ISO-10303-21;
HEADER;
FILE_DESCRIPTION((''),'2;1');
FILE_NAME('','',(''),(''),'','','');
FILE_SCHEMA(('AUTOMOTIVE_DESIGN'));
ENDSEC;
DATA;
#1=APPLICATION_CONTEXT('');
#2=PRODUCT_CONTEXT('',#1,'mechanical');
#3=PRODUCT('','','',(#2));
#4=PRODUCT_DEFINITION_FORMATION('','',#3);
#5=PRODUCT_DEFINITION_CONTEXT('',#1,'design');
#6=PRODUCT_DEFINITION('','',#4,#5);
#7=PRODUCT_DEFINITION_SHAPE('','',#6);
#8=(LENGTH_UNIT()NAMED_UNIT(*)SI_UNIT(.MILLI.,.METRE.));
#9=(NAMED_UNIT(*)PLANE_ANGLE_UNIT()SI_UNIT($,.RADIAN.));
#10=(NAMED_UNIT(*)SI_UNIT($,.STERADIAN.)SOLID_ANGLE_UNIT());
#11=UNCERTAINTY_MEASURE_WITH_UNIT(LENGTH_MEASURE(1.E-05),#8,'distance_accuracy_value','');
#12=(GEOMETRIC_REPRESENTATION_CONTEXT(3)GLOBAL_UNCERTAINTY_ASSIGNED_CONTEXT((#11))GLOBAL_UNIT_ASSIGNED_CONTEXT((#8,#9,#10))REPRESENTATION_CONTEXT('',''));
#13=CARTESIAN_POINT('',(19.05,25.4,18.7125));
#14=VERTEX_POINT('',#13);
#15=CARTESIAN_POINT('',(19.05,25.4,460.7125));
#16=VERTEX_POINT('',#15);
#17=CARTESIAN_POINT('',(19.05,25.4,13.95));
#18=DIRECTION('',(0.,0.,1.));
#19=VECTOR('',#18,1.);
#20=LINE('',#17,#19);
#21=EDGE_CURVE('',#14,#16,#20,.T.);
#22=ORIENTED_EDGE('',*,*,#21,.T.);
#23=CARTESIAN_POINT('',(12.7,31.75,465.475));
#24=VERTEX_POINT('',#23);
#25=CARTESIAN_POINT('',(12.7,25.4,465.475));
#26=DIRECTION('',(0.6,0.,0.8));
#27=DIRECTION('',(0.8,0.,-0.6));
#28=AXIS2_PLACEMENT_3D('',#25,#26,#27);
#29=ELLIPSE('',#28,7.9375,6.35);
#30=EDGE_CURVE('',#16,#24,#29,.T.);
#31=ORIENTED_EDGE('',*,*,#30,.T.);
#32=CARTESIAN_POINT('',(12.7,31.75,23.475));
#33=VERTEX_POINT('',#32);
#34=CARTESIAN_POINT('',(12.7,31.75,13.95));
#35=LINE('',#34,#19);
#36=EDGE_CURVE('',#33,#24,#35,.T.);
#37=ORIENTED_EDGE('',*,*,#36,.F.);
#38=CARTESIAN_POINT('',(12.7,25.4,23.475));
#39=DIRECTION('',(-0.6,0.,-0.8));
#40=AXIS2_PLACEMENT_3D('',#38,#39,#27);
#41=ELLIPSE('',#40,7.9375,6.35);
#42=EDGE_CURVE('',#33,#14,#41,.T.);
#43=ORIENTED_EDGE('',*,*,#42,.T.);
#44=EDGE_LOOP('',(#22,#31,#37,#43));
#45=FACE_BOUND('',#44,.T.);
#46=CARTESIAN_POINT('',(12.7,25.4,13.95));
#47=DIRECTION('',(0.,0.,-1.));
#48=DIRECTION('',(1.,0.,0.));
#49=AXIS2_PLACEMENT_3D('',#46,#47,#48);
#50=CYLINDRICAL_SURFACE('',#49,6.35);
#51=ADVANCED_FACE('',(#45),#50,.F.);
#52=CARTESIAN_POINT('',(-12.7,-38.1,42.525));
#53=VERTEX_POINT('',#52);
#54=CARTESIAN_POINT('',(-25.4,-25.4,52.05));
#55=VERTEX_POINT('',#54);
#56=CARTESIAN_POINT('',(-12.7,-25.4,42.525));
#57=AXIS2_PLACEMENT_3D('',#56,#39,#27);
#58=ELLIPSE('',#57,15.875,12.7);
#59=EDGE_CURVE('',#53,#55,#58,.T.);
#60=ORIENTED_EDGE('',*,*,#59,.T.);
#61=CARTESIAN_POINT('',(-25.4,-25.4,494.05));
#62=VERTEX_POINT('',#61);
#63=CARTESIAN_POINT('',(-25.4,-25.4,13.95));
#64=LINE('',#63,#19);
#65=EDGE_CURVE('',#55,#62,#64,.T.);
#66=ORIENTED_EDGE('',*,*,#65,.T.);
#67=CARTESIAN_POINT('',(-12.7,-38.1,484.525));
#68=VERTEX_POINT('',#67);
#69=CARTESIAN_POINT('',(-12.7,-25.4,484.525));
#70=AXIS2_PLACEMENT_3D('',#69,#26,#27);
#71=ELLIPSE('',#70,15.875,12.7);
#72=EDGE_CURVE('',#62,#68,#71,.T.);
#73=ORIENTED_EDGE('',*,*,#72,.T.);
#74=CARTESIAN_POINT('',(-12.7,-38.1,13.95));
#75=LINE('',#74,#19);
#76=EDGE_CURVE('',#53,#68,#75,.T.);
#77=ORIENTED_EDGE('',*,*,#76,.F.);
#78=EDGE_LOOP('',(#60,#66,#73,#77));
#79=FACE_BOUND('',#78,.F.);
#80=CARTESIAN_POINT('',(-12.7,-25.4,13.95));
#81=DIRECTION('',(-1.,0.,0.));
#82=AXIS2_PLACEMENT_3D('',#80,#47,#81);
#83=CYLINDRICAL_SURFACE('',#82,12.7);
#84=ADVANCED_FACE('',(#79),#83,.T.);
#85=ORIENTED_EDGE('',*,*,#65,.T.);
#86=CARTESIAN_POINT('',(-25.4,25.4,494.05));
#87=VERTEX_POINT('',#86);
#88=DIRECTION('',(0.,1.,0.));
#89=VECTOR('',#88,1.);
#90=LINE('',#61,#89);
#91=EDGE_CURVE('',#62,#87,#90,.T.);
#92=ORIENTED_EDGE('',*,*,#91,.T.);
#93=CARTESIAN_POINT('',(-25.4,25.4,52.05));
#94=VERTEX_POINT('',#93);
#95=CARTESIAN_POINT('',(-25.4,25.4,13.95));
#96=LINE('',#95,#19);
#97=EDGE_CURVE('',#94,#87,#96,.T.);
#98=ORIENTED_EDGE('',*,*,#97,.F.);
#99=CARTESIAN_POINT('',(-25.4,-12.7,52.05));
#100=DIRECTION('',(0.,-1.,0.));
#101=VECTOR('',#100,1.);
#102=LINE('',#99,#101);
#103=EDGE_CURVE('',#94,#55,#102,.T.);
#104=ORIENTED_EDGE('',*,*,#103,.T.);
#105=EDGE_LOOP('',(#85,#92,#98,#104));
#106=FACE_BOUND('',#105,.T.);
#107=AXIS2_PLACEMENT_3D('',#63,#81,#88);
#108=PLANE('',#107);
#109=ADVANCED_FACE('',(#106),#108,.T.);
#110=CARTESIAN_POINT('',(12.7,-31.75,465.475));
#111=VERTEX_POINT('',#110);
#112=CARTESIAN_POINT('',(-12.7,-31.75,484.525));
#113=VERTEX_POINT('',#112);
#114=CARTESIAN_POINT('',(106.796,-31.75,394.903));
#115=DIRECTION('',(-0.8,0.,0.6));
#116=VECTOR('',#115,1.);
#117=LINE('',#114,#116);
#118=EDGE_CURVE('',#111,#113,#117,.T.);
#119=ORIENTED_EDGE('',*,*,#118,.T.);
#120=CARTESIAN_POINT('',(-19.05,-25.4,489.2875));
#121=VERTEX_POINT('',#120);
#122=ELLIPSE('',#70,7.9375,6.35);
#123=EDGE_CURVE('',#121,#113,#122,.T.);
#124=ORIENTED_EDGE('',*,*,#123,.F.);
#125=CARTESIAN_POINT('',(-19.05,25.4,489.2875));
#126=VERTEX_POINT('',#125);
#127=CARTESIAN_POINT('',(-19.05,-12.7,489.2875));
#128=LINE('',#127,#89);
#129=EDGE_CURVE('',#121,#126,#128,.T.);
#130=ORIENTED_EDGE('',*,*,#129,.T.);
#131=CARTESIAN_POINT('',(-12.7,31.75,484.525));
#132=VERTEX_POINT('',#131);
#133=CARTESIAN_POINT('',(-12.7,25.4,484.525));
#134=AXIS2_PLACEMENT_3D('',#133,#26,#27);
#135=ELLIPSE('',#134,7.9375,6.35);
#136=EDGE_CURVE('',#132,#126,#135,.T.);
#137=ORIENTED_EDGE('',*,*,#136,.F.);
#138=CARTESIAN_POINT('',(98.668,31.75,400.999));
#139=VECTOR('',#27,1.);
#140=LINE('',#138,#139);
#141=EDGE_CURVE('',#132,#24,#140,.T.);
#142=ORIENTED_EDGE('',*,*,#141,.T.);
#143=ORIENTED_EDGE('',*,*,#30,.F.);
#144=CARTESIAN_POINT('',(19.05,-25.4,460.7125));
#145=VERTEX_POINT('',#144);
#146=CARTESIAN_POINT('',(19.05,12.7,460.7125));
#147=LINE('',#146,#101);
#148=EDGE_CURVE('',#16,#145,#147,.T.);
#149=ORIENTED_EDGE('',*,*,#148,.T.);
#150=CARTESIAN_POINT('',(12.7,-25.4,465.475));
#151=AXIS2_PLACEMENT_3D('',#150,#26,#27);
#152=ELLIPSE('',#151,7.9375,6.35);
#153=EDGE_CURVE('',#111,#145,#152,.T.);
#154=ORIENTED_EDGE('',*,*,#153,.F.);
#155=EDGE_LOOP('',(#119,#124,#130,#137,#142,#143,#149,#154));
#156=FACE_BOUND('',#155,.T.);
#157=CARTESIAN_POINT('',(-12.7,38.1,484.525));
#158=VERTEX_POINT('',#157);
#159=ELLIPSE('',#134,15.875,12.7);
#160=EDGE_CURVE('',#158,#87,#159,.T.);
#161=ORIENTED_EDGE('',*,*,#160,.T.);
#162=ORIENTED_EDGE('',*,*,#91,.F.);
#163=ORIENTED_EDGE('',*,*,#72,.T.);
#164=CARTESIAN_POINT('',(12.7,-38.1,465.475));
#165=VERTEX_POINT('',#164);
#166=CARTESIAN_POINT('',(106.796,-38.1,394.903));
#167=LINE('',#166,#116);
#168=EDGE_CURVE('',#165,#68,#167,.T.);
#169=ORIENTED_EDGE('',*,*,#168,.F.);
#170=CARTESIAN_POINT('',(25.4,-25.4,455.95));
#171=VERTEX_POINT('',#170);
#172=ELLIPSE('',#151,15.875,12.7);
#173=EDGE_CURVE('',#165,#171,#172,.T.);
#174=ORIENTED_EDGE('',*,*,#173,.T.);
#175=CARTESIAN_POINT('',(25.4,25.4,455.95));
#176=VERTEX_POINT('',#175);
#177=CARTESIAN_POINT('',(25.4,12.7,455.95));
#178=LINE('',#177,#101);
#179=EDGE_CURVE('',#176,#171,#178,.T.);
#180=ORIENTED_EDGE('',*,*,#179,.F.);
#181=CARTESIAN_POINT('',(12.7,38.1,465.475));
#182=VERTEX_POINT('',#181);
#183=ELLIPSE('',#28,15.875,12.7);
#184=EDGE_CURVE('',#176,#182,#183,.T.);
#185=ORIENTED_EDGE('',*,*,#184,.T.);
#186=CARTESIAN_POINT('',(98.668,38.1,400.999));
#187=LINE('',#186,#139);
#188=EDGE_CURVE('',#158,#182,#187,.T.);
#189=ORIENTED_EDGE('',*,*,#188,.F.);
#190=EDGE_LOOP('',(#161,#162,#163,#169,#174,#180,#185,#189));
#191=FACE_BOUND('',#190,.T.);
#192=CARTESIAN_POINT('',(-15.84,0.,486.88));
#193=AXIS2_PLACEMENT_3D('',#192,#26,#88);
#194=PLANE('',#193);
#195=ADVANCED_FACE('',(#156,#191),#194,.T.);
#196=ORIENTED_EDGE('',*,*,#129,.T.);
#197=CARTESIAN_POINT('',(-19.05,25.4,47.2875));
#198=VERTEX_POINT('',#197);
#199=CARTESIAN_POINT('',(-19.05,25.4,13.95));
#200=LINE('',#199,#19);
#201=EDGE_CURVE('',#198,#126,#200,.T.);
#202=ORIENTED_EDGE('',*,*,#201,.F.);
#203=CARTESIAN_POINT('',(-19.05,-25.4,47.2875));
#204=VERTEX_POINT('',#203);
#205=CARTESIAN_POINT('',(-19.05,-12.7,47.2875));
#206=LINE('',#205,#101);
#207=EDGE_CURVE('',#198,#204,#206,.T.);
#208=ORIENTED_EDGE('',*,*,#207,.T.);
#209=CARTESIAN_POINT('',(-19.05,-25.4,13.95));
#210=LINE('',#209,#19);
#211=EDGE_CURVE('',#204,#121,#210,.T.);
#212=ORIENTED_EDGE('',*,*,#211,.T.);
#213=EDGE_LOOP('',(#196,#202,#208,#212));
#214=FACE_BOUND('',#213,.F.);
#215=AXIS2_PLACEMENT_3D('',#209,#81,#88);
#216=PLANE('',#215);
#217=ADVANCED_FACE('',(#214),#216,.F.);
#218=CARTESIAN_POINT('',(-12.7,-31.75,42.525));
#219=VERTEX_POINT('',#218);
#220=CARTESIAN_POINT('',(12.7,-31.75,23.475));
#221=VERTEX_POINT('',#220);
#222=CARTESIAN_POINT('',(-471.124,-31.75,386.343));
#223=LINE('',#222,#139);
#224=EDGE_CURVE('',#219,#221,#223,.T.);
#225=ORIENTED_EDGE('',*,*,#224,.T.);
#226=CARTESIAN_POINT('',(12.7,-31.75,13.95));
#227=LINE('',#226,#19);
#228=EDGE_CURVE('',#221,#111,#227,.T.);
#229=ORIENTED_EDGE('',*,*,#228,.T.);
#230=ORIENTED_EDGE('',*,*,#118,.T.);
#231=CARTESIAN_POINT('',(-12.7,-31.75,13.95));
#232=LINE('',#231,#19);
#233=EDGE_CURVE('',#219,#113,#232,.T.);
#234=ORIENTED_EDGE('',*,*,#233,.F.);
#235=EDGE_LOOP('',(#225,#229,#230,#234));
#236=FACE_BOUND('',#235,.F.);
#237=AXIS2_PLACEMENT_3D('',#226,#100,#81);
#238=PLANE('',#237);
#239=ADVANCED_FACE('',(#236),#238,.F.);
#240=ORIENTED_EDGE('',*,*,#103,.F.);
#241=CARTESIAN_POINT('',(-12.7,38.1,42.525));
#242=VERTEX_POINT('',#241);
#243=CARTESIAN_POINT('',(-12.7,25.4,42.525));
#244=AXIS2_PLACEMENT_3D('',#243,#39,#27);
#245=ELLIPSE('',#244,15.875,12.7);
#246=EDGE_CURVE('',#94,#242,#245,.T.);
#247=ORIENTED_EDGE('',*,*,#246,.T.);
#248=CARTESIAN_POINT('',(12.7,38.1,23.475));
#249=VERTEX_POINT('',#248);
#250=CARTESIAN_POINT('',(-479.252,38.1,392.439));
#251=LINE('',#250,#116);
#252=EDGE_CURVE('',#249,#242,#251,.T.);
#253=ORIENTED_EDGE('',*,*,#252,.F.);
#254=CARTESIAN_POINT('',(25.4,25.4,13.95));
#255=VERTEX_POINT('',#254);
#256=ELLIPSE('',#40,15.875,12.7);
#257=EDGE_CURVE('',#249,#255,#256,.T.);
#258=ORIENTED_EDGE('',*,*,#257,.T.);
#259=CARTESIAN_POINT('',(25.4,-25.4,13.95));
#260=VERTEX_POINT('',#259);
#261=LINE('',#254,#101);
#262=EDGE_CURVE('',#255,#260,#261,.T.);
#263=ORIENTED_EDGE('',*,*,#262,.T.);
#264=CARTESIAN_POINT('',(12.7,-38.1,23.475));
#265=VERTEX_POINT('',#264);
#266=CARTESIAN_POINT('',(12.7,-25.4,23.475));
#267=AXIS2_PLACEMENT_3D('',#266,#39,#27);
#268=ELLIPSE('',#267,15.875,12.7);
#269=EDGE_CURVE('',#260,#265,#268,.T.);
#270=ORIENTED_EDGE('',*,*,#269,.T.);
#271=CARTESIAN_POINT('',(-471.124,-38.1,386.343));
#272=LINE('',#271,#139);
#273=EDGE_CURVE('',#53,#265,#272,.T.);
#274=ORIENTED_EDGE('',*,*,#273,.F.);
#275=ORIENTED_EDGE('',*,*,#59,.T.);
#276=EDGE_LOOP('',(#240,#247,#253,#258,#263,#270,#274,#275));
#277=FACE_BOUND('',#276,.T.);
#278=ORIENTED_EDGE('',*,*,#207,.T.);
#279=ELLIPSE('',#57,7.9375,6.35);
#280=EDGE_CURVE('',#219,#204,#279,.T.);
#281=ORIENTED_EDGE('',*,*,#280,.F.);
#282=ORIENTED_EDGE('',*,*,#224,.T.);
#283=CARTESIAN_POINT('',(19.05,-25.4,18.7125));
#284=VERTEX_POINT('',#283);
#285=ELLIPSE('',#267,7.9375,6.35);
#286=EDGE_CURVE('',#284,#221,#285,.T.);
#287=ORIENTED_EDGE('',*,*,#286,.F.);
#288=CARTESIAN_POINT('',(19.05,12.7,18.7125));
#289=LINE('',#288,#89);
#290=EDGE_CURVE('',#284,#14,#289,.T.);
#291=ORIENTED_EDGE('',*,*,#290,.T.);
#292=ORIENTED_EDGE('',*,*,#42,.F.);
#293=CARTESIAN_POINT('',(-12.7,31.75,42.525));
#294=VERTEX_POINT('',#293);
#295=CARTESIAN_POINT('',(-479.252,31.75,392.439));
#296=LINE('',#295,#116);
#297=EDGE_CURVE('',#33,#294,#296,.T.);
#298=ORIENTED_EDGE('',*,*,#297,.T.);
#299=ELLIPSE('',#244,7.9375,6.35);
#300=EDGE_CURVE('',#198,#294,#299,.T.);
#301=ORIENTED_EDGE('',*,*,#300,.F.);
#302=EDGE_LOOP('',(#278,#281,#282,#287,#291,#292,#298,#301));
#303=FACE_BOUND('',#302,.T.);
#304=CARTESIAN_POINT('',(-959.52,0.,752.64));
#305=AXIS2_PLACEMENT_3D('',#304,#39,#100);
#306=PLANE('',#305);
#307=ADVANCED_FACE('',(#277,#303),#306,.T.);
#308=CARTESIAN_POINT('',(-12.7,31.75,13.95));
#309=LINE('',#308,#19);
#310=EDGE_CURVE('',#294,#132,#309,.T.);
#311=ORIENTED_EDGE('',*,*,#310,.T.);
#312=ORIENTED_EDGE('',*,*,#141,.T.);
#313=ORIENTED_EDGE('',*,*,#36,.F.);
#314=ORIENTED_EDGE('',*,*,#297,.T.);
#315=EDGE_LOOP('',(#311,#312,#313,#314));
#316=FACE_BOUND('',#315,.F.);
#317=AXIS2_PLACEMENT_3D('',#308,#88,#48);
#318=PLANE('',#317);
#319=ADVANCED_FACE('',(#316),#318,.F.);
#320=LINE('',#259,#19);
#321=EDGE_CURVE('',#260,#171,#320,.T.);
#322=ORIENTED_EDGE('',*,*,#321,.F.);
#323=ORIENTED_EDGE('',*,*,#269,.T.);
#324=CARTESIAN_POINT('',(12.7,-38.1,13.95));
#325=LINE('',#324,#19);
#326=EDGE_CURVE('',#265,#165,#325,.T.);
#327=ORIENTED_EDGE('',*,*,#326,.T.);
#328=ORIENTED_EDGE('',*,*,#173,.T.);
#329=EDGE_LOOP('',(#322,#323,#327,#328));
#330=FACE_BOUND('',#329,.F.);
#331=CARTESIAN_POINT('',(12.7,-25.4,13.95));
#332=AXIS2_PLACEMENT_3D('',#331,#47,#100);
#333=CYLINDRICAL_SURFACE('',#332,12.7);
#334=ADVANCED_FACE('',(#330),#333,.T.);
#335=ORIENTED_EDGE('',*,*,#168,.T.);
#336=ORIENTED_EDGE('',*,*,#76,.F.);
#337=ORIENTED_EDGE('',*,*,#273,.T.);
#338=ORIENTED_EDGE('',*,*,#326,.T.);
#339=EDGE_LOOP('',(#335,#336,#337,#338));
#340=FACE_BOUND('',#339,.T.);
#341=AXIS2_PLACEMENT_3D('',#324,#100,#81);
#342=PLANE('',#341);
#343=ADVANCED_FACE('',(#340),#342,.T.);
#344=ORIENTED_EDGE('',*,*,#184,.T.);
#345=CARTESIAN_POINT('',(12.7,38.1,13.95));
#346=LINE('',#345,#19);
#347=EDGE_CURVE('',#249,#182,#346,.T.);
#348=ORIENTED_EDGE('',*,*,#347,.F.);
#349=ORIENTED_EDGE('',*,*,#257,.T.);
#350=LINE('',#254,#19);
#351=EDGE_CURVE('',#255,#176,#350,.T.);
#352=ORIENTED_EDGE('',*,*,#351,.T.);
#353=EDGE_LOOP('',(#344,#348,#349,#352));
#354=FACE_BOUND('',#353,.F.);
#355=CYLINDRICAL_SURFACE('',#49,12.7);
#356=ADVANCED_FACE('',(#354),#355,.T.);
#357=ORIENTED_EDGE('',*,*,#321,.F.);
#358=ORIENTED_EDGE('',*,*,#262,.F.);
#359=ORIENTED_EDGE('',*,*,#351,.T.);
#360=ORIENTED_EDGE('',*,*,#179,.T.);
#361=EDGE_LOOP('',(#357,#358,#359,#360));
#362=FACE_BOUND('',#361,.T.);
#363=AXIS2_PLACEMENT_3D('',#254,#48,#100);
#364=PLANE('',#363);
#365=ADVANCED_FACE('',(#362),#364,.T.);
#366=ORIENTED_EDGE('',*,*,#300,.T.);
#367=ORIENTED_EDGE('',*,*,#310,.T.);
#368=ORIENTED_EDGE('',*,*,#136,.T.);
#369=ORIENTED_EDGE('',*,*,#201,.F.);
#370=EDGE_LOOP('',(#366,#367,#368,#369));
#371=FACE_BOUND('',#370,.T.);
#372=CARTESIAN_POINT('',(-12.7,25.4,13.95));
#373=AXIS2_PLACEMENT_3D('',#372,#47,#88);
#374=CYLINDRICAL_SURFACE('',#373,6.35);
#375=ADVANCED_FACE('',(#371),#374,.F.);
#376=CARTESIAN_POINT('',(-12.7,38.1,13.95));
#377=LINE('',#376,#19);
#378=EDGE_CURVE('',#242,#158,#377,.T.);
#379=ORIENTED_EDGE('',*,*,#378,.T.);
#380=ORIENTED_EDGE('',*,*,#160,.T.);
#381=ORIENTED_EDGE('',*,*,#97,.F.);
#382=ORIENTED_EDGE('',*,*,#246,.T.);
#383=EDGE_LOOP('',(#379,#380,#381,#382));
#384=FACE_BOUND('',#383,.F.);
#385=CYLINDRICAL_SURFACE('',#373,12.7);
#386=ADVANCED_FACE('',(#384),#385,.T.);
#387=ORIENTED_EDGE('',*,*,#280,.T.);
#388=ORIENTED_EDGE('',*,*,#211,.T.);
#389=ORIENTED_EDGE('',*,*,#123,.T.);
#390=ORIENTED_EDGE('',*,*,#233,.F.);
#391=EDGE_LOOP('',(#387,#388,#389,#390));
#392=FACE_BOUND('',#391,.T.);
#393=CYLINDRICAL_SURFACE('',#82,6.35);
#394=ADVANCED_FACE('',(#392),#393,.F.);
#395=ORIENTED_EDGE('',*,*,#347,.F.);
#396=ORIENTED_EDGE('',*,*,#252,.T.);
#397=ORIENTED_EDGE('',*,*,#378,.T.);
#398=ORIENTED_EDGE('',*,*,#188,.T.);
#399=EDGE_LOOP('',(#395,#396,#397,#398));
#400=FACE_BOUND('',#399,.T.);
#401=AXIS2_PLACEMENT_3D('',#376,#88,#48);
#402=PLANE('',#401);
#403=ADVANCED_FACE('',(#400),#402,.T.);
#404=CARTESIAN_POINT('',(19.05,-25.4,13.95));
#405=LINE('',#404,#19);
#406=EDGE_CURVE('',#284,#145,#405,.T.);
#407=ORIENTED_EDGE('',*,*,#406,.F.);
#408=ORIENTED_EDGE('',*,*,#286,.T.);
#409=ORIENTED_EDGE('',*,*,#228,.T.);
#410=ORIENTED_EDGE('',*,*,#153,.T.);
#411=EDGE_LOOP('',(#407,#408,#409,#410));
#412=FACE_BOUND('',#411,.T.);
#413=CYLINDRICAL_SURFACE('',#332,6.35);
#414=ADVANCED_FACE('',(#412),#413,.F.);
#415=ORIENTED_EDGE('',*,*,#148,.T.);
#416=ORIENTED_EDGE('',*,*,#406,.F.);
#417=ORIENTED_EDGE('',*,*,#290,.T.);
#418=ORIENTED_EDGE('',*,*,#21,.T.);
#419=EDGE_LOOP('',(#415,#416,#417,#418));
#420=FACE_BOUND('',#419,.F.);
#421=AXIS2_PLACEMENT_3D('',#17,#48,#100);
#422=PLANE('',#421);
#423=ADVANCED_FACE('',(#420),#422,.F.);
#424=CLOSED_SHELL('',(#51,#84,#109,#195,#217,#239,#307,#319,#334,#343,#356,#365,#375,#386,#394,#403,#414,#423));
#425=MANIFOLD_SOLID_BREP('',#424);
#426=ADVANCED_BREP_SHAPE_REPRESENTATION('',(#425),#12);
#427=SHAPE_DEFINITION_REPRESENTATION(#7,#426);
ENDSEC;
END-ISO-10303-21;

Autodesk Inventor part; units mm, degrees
ref_plane "Start Plane" through (0, 0, 13.95) normal (0, 0, 1) x (1, 0, 0)
ref_plane "End Plane" through (0, 0, 494.05) normal (0, 0, 1) x (1, 0, 0)
sketch "Sketch" plane through (0, 0, 0) normal (0, 0, 1) x (1, 0, 0)
  line L0 (-25.4, -25.4) -> (-25.4, 25.4)
  line L1 (-12.7, 38.1) -> (12.7, 38.1)
  line L2 (25.4, 25.4) -> (25.4, -25.4)
  line L3 (12.7, -38.1) -> (-12.7, -38.1)
  arc A0 (-25.4, -25.4) -> (-12.7, -38.1) centre (-12.7, -25.4) ccw
  arc A1 (-12.7, 38.1) -> (-25.4, 25.4) centre (-12.7, 25.4) ccw
  arc A2 (25.4, 25.4) -> (12.7, 38.1) centre (12.7, 25.4) ccw
  arc A3 (12.7, -38.1) -> (25.4, -25.4) centre (12.7, -25.4) ccw
  arc A4 (-12.7, 31.75) -> (-19.05, 25.4) centre (-12.7, 25.4) ccw
  line L4 (-12.7, 31.75) -> (12.7, 31.75)
  arc A5 (19.05, 25.4) -> (12.7, 31.75) centre (12.7, 25.4) ccw
  line L5 (19.05, 25.4) -> (19.05, -25.4)
  arc A6 (12.7, -31.75) -> (19.05, -25.4) centre (12.7, -25.4) ccw
  line L6 (12.7, -31.75) -> (-12.7, -31.75)
  arc A7 (-19.05, -25.4) -> (-12.7, -31.75) centre (-12.7, -25.4) ccw
  line L7 (-19.05, -25.4) -> (-19.05, 25.4)
  line L8 (0, 57.0224) -> (0, -57.0224) construction
  line L9 (-39.2424, 0) -> (39.2424, 0) construction
  dimension "d10" = 76.2
  dimension "d11" = 50.8
  dimension "d12" = 6.35
  dimension "d15" = 38.1
  dimension "d16" = 25.4
  dimension "d17" = 12.7
extrude "Body" add sketch "Sketch" along normal up to surface (480.1 mm away) from surface at 13.95
sketch "Sketch3" plane through (0, 0, 0) normal (0, 0, 1) x (1, 0, 0)
  line L0 (0, 0) -> (10, 0)
ref_plane "Work Plane3" through (0, 0, 0) normal (0, -1, 0) x (1, 0, 0)
ref_plane "Work Plane4" through (-959.52, 0, 752.64) normal (-0.6, 0, -0.8) x (-0.8, 0, 0.6)
split "Split1" plane through (-959.52, 0, 752.64) removes the side toward (-0.6, 0, -0.8)
ref_plane "Work Plane5" through (-15.84, 0, 486.88) normal (0.6, 0, 0.8) x (0.8, 0, -0.6)
split "Split2" plane through (-15.84, 0, 486.88) removes the side toward (0.6, 0, 0.8)
sketch "Sketch4" plane through (0, 0, 0) normal (0, -1, 0) x (1, 0, 0)
  line L0 (-2, 13.95) -> (12, 13.95) projected
  line L1 (-2, 494.05) -> (12, 494.05) projected
  dimension "d19" = 480.1
equation "\"d10\" = G_H"
equation "\"d11\" = G_W"
equation "\"d12\" = G_T"
equation "\"d15\" = 0.5 * d10"
equation "\"d16\" = 0.5 * d11"
equation "\"d17\" = G_IR"
equation "\"d3\" = G_L"
equation "\"G_W\" = 50.8"
equation "\"G_H\" = 76.2"
equation "\"G_T\" = 6.35"
equation "\"G_IR\" = 12.7"
equation "\"G_L\" = d19"
equation "\"G_OFFSET_START\" = -13.95"
equation "\"G_OFFSET_END\" = -13.95"
equation "\"d13\" = -G_OFFSET_START"
equation "\"d14\" = G_OFFSET_END + B_L"
equation "\"B_L\" = 508"
properties part number "AISC - 3 x 2 x 1/4 - 18.902" material "Steel, Mild"
